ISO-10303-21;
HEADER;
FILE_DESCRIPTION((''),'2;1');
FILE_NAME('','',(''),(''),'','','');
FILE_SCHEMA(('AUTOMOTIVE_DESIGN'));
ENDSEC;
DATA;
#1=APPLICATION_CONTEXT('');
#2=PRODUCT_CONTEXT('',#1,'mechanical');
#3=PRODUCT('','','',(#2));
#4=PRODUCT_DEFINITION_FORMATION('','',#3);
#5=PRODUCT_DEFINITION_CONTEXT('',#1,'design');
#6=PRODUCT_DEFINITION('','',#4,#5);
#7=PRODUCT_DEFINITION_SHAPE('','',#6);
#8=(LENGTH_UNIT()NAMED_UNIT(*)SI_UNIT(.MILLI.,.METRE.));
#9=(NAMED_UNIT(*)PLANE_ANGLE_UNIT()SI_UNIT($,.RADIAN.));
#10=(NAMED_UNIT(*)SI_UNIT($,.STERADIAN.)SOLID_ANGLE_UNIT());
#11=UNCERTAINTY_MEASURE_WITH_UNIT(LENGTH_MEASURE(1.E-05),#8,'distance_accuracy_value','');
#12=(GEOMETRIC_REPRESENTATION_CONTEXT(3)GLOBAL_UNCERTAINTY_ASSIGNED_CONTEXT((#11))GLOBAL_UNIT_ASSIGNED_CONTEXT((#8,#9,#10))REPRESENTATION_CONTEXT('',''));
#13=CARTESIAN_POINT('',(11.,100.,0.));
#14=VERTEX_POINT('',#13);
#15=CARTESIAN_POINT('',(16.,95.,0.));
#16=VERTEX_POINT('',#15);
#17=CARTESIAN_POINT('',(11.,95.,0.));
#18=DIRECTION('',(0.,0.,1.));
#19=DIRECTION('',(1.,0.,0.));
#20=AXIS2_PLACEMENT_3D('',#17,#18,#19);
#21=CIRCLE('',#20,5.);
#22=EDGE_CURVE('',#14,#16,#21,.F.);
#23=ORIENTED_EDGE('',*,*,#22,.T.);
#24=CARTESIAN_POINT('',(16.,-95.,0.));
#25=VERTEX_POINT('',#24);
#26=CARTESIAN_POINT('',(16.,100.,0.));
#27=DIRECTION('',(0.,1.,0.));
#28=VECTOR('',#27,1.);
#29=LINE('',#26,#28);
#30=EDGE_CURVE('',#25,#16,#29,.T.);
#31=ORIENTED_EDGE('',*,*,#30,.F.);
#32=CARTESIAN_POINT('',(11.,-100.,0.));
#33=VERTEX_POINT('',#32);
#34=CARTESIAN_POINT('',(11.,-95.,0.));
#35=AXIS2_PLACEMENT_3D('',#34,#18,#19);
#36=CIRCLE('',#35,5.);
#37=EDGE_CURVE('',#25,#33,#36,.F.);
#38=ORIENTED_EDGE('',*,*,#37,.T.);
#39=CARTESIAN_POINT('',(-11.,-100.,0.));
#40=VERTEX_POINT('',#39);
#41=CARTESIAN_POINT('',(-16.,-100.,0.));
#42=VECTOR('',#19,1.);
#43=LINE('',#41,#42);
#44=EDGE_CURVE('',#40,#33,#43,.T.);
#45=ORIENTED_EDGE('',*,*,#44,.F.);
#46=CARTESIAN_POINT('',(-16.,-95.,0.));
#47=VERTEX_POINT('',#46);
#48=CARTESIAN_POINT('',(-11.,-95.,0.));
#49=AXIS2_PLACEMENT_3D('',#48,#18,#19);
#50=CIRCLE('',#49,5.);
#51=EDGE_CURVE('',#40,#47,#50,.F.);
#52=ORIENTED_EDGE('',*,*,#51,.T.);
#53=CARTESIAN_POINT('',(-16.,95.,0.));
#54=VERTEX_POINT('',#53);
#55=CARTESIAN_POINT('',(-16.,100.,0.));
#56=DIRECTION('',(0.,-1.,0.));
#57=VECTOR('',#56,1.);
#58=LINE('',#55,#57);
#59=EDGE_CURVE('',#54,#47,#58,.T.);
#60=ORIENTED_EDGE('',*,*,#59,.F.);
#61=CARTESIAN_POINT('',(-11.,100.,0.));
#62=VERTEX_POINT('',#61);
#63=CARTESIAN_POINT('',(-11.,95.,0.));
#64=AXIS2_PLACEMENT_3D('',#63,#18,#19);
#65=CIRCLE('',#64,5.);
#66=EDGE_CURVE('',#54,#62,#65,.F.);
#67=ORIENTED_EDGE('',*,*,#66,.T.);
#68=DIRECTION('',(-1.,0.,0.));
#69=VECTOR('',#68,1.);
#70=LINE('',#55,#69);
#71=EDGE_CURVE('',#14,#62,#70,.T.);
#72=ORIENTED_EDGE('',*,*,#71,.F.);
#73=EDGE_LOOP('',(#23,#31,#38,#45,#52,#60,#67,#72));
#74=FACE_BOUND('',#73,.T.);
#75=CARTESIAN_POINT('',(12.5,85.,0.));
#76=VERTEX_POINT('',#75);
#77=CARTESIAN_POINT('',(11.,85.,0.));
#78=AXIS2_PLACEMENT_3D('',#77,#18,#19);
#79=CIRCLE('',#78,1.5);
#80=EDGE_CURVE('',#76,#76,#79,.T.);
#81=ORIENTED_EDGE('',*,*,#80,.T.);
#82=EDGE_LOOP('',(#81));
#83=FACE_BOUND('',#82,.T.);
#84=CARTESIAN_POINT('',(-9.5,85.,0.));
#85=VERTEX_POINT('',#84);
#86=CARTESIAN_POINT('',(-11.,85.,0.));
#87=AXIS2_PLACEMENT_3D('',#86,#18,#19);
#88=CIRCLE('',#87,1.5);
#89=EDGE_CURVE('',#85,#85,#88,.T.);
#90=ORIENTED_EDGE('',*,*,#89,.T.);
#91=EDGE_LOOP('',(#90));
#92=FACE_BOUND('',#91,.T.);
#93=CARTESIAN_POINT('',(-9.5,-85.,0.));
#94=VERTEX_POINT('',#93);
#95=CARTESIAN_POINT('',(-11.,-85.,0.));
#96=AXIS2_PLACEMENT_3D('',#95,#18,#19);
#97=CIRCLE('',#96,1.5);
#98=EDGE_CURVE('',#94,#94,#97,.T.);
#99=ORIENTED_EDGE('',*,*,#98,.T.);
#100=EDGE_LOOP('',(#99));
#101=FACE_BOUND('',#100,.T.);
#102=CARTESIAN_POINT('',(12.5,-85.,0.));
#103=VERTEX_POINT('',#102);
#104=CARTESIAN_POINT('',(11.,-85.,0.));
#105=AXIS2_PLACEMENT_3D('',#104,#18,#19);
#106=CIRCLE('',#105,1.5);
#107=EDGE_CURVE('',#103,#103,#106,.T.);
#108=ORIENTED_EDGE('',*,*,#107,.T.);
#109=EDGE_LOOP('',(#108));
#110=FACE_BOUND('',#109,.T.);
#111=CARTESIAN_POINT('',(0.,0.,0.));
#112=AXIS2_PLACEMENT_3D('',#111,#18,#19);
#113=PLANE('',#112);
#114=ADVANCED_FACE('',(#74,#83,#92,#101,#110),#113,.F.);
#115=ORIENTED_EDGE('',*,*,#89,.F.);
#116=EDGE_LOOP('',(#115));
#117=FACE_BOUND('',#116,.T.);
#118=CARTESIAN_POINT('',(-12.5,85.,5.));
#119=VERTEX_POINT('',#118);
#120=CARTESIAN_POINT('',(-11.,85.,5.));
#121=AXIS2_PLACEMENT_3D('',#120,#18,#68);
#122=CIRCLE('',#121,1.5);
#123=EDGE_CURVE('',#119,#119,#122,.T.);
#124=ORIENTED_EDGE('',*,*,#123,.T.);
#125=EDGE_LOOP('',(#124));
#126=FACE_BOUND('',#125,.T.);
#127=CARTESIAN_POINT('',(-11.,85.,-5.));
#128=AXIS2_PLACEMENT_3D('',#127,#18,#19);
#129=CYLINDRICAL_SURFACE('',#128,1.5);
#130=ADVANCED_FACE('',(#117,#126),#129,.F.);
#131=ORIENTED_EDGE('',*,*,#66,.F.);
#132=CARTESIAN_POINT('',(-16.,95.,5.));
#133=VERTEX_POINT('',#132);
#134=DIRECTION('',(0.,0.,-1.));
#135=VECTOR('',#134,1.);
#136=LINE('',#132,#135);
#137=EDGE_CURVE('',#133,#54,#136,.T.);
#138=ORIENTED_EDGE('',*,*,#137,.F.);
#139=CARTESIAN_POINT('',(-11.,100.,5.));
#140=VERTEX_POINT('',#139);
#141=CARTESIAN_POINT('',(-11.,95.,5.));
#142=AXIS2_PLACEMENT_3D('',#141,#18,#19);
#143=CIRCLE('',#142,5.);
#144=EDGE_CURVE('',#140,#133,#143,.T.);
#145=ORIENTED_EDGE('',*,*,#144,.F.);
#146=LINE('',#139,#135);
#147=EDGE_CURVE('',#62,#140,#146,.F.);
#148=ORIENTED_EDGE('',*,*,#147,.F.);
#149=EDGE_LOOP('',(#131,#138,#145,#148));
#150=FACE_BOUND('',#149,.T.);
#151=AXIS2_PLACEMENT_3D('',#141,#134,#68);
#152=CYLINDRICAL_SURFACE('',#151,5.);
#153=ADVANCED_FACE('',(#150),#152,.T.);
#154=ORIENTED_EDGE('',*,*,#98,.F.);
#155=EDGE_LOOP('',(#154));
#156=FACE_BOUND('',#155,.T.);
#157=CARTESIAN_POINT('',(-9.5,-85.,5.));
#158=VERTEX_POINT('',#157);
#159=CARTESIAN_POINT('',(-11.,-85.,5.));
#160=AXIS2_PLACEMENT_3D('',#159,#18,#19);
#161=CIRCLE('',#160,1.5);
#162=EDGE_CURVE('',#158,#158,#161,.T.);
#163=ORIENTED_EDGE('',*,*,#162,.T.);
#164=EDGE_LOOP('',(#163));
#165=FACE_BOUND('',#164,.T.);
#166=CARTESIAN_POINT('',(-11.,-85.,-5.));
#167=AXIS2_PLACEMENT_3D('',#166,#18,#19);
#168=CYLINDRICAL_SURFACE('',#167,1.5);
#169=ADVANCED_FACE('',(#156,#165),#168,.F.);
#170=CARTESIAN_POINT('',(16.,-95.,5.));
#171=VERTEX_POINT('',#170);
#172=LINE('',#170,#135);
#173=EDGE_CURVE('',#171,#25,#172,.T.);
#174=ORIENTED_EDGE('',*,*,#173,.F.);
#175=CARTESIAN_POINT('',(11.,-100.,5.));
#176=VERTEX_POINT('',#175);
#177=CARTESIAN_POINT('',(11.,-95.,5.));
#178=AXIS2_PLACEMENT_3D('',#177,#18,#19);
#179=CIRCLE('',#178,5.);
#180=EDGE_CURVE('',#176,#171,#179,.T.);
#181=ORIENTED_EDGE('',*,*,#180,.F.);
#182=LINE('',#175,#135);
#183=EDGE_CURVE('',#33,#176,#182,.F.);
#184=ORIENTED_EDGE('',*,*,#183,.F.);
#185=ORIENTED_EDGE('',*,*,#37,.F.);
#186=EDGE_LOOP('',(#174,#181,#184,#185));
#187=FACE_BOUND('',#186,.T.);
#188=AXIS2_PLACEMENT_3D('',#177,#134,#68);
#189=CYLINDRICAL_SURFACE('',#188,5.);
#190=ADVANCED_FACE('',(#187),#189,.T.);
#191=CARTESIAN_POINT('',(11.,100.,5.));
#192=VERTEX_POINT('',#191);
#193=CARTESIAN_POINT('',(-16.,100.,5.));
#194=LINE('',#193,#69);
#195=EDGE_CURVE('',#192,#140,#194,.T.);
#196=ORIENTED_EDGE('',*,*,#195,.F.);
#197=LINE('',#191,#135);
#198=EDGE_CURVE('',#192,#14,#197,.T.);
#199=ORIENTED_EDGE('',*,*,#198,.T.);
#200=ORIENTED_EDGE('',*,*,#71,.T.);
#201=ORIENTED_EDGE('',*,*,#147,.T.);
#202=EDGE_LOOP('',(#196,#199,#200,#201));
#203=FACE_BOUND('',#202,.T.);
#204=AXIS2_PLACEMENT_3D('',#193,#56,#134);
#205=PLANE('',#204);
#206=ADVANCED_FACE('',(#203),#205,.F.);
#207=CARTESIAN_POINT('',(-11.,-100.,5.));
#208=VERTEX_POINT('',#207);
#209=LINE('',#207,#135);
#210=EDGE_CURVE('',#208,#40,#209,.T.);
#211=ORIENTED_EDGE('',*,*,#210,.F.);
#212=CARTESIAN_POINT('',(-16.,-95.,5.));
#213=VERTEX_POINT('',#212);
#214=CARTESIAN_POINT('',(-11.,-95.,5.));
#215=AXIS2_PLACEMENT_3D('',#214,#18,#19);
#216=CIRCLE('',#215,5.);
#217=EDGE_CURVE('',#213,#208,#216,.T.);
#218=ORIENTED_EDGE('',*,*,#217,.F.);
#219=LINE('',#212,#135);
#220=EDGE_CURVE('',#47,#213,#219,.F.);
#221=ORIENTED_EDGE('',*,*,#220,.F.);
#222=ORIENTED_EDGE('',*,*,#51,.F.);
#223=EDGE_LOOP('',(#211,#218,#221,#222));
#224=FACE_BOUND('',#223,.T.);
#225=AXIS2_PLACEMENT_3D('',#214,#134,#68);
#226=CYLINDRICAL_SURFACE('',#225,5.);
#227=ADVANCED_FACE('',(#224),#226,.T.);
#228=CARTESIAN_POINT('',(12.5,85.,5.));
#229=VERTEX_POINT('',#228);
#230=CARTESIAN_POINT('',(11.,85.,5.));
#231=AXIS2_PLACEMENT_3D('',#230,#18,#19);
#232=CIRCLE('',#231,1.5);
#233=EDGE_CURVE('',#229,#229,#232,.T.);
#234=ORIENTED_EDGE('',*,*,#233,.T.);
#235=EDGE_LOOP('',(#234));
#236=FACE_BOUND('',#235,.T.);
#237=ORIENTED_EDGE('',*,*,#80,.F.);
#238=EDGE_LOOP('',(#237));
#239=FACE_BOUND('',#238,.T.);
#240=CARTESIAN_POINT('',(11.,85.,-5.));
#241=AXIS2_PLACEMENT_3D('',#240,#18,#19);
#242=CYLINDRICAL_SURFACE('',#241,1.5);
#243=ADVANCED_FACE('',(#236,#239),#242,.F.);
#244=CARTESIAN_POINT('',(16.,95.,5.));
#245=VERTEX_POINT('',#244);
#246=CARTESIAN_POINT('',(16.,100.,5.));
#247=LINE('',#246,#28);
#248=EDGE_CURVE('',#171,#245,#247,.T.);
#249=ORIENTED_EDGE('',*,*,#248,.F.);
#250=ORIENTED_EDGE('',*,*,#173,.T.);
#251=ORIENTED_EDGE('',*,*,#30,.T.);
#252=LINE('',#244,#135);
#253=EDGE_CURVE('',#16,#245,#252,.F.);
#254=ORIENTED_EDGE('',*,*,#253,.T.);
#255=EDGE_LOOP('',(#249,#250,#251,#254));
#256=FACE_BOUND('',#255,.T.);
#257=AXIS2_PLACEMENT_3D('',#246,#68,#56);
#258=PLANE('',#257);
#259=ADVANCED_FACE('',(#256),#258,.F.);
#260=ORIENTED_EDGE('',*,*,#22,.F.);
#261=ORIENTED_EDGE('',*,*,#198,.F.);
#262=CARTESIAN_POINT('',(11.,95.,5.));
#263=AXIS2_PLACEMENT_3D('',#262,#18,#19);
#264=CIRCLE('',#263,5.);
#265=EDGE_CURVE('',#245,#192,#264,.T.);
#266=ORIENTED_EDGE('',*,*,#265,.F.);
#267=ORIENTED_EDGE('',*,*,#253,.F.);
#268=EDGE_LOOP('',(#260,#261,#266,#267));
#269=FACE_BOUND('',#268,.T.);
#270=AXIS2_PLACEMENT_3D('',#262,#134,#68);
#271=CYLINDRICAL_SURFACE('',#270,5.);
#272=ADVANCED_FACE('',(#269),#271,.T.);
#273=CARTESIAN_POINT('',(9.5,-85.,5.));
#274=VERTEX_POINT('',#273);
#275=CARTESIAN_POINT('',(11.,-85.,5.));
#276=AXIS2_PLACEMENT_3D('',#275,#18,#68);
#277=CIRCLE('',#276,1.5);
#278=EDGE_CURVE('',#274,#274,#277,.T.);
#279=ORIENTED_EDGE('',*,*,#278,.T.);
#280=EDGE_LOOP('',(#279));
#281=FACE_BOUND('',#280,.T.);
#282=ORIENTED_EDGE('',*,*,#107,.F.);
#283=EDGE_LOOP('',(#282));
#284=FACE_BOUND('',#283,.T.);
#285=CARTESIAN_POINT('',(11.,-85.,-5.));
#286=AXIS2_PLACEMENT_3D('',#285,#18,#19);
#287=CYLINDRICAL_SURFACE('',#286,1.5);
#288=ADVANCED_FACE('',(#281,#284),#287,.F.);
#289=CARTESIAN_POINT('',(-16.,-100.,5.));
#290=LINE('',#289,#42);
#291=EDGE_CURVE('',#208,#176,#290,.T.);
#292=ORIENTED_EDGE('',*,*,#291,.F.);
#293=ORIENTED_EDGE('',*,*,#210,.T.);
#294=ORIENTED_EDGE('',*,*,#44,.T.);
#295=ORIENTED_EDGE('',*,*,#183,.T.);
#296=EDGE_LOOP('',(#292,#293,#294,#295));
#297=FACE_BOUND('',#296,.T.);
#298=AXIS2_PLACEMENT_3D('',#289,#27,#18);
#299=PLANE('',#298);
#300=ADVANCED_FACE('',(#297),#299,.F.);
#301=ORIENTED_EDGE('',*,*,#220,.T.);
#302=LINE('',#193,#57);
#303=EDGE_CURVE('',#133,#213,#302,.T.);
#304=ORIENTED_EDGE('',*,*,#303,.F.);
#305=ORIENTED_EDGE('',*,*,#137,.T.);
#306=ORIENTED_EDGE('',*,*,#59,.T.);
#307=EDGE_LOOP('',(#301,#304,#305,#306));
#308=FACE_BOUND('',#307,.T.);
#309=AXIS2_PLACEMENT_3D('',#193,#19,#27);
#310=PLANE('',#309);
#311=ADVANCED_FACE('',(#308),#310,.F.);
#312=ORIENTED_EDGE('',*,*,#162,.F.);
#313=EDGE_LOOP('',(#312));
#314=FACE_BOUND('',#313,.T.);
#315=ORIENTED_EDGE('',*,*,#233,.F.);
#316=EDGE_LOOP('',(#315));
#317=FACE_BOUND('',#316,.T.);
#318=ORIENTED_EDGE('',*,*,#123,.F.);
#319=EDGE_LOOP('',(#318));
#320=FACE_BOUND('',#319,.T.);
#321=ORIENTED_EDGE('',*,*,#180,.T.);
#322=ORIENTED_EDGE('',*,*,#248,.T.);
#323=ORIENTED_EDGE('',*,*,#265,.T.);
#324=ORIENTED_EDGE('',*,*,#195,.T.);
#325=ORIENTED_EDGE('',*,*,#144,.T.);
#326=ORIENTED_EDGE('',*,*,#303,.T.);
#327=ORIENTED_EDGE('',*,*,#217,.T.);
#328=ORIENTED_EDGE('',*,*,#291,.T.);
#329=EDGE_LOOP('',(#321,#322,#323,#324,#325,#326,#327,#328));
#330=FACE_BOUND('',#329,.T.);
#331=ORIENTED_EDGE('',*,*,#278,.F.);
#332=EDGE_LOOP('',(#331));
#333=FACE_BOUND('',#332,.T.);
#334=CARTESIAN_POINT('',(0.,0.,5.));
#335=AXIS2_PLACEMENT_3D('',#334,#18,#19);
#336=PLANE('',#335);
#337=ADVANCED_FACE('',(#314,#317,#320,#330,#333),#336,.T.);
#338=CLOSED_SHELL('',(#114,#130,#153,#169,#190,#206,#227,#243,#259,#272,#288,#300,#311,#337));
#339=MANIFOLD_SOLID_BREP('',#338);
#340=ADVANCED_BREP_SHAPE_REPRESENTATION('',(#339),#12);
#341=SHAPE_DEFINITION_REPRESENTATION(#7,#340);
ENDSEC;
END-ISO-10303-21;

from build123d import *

# Parameters (mm, degrees)
ESQUISSE1_W             = 32
ESQUISSE1_H             = 200
BOSS_EXTRU_1_DEPTH      = 5
CONG_1_R                = 5
ESQUISSE2_R             = 1.5
ENL_V_MAT_EXTRU_1_DEPTH = 10


with BuildPart() as part:
    # Esquisse1 → Boss.-Extru.1 (new body)
    with BuildSketch(Plane.XY):
        Rectangle(ESQUISSE1_W, ESQUISSE1_H)
    extrude(amount=BOSS_EXTRU_1_DEPTH)

    # Congé1
    cong_1_edges = [part.edges().sort_by_distance(p)[0] for p in [
        (16, -100, 2.5),
        (-16, -100, 2.5),
        (-16, 100, 2.5),
        (16, 100, 2.5),
    ]]
    fillet(cong_1_edges, radius=CONG_1_R)

    # Esquisse2 → Enlèv. mat.-Extru.1 (cut)
    with BuildSketch(Plane.XY.offset(5)):
        with Locations((-11, -85)):
            Circle(ESQUISSE2_R)
        with Locations((11, -85)):
            Circle(ESQUISSE2_R)
        with Locations((11, 85)):
            Circle(ESQUISSE2_R)
        with Locations((-11, 85)):
            Circle(ESQUISSE2_R)
    extrude(amount=-ENL_V_MAT_EXTRU_1_DEPTH, mode=Mode.SUBTRACT)


solid = part.part
